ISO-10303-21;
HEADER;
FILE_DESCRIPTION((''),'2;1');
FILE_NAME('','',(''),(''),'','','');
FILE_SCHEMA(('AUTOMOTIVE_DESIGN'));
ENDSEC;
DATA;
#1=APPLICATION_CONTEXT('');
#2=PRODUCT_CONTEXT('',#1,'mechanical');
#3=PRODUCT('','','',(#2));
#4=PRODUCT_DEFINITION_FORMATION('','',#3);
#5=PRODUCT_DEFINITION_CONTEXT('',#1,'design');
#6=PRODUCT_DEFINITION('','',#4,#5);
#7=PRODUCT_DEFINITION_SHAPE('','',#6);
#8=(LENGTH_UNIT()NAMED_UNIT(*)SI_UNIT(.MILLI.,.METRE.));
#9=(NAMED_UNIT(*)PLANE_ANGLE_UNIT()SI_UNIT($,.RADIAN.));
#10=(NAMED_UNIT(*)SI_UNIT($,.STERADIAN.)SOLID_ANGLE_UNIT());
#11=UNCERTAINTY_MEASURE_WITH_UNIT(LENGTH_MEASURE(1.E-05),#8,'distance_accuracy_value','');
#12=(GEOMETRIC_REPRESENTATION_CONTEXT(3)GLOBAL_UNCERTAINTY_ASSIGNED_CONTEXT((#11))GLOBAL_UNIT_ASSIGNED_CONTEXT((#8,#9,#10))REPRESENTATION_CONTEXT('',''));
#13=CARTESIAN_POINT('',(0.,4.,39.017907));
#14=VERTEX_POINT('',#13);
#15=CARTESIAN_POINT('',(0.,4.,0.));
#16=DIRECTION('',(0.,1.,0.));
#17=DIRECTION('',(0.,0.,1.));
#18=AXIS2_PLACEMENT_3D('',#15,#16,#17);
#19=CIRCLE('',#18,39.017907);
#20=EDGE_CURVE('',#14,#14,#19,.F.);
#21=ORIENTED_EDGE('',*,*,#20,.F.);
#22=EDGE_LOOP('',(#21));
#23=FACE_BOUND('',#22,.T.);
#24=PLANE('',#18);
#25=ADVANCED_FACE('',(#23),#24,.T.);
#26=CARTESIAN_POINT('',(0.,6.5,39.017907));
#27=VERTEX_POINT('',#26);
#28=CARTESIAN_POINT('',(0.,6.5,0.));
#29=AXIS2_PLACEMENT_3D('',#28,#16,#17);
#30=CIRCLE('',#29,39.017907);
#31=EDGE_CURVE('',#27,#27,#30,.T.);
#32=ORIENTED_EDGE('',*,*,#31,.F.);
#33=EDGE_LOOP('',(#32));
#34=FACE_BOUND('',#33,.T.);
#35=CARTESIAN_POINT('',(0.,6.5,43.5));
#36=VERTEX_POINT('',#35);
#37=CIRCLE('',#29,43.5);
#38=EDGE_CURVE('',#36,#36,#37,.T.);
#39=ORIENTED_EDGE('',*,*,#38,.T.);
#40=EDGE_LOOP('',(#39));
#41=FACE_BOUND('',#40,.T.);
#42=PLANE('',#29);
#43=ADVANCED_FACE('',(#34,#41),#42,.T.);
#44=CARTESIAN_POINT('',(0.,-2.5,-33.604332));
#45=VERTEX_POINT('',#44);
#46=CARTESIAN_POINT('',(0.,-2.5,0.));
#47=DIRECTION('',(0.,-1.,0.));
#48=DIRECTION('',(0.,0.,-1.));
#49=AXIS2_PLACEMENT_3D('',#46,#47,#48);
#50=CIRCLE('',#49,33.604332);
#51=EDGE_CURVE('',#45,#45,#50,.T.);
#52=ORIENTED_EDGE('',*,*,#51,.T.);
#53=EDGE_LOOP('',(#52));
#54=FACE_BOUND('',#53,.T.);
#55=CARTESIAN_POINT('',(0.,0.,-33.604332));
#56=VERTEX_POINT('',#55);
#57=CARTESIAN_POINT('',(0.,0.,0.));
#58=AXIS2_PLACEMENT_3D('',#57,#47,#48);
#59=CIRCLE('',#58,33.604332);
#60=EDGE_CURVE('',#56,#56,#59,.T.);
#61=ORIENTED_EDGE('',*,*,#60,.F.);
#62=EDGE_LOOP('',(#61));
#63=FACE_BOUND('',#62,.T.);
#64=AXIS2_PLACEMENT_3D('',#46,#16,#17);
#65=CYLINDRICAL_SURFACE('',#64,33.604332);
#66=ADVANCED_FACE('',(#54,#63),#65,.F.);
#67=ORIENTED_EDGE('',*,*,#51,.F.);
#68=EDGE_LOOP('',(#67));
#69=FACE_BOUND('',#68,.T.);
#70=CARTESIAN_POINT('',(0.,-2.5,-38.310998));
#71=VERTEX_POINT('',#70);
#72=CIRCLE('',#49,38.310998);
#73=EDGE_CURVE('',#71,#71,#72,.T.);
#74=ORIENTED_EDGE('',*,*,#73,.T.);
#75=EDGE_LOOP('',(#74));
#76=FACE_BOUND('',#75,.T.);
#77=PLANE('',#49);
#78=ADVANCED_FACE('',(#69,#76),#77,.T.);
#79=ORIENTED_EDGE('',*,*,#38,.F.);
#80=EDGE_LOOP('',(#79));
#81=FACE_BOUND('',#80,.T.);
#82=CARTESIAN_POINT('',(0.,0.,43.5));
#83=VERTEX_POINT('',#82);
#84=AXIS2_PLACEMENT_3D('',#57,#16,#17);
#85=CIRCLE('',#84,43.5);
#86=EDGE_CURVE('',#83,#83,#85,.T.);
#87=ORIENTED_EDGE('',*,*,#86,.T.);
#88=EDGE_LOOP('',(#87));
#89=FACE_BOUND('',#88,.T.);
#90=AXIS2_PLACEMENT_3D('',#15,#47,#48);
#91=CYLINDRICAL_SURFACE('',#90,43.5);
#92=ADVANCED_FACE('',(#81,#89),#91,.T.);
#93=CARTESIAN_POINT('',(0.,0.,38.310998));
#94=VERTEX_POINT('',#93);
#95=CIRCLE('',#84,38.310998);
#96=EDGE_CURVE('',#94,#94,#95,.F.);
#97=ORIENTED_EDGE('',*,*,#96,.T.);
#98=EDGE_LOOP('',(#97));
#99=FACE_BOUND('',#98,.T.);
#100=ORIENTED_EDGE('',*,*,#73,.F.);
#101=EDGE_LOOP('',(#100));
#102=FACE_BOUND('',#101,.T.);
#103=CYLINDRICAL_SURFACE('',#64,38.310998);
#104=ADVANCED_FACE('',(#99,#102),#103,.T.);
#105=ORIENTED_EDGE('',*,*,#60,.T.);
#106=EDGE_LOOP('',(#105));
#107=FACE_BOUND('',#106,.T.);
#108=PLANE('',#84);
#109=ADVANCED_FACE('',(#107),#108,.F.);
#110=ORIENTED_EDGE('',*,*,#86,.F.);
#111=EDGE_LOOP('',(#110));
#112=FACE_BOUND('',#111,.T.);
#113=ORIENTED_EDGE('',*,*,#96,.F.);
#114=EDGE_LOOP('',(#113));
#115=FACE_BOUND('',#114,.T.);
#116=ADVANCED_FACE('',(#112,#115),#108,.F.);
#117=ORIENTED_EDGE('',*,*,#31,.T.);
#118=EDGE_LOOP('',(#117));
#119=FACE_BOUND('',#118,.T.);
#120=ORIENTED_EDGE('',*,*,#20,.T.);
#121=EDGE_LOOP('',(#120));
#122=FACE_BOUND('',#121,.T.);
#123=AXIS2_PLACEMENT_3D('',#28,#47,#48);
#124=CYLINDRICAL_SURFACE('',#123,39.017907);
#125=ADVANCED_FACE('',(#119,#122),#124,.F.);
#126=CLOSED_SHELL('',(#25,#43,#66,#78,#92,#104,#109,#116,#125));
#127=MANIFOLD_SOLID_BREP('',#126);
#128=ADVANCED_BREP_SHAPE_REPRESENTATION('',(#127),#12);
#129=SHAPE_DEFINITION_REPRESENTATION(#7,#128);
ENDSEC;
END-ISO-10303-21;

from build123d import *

# Parameters (mm, degrees)
CROQUIS1_R              = 43.5
SALIENTE_EXTRUIR1_DEPTH = 4
CROQUIS2_R              = 43.5
CROQUIS2_R_2            = 39.017907213
SALIENTE_EXTRUIR2_DEPTH = 2.5
CROQUIS3_R              = 38.31099811
CROQUIS3_R_2            = 33.604332007
SALIENTE_EXTRUIR3_DEPTH = 2.5


with BuildPart() as part:
    # Croquis1 → Saliente-Extruir1 (new body)
    with BuildSketch(Plane(origin=(0, 0, 0), x_dir=(1, 0, 0), z_dir=(0, 1, 0))):
        Circle(CROQUIS1_R)
    extrude(amount=SALIENTE_EXTRUIR1_DEPTH)

    # Croquis2 → Saliente-Extruir2 (add)
    with BuildSketch(Plane(origin=(0, 4, 0), x_dir=(1, 0, 0), z_dir=(0, 1, 0))):
        Circle(CROQUIS2_R)
        Circle(CROQUIS2_R_2, mode=Mode.SUBTRACT)
    extrude(amount=SALIENTE_EXTRUIR2_DEPTH)

    # Croquis3 → Saliente-Extruir3 (add)
    with BuildSketch(Plane.XZ):
        Circle(CROQUIS3_R)
        Circle(CROQUIS3_R_2, mode=Mode.SUBTRACT)
    extrude(amount=SALIENTE_EXTRUIR3_DEPTH)


solid = part.part
